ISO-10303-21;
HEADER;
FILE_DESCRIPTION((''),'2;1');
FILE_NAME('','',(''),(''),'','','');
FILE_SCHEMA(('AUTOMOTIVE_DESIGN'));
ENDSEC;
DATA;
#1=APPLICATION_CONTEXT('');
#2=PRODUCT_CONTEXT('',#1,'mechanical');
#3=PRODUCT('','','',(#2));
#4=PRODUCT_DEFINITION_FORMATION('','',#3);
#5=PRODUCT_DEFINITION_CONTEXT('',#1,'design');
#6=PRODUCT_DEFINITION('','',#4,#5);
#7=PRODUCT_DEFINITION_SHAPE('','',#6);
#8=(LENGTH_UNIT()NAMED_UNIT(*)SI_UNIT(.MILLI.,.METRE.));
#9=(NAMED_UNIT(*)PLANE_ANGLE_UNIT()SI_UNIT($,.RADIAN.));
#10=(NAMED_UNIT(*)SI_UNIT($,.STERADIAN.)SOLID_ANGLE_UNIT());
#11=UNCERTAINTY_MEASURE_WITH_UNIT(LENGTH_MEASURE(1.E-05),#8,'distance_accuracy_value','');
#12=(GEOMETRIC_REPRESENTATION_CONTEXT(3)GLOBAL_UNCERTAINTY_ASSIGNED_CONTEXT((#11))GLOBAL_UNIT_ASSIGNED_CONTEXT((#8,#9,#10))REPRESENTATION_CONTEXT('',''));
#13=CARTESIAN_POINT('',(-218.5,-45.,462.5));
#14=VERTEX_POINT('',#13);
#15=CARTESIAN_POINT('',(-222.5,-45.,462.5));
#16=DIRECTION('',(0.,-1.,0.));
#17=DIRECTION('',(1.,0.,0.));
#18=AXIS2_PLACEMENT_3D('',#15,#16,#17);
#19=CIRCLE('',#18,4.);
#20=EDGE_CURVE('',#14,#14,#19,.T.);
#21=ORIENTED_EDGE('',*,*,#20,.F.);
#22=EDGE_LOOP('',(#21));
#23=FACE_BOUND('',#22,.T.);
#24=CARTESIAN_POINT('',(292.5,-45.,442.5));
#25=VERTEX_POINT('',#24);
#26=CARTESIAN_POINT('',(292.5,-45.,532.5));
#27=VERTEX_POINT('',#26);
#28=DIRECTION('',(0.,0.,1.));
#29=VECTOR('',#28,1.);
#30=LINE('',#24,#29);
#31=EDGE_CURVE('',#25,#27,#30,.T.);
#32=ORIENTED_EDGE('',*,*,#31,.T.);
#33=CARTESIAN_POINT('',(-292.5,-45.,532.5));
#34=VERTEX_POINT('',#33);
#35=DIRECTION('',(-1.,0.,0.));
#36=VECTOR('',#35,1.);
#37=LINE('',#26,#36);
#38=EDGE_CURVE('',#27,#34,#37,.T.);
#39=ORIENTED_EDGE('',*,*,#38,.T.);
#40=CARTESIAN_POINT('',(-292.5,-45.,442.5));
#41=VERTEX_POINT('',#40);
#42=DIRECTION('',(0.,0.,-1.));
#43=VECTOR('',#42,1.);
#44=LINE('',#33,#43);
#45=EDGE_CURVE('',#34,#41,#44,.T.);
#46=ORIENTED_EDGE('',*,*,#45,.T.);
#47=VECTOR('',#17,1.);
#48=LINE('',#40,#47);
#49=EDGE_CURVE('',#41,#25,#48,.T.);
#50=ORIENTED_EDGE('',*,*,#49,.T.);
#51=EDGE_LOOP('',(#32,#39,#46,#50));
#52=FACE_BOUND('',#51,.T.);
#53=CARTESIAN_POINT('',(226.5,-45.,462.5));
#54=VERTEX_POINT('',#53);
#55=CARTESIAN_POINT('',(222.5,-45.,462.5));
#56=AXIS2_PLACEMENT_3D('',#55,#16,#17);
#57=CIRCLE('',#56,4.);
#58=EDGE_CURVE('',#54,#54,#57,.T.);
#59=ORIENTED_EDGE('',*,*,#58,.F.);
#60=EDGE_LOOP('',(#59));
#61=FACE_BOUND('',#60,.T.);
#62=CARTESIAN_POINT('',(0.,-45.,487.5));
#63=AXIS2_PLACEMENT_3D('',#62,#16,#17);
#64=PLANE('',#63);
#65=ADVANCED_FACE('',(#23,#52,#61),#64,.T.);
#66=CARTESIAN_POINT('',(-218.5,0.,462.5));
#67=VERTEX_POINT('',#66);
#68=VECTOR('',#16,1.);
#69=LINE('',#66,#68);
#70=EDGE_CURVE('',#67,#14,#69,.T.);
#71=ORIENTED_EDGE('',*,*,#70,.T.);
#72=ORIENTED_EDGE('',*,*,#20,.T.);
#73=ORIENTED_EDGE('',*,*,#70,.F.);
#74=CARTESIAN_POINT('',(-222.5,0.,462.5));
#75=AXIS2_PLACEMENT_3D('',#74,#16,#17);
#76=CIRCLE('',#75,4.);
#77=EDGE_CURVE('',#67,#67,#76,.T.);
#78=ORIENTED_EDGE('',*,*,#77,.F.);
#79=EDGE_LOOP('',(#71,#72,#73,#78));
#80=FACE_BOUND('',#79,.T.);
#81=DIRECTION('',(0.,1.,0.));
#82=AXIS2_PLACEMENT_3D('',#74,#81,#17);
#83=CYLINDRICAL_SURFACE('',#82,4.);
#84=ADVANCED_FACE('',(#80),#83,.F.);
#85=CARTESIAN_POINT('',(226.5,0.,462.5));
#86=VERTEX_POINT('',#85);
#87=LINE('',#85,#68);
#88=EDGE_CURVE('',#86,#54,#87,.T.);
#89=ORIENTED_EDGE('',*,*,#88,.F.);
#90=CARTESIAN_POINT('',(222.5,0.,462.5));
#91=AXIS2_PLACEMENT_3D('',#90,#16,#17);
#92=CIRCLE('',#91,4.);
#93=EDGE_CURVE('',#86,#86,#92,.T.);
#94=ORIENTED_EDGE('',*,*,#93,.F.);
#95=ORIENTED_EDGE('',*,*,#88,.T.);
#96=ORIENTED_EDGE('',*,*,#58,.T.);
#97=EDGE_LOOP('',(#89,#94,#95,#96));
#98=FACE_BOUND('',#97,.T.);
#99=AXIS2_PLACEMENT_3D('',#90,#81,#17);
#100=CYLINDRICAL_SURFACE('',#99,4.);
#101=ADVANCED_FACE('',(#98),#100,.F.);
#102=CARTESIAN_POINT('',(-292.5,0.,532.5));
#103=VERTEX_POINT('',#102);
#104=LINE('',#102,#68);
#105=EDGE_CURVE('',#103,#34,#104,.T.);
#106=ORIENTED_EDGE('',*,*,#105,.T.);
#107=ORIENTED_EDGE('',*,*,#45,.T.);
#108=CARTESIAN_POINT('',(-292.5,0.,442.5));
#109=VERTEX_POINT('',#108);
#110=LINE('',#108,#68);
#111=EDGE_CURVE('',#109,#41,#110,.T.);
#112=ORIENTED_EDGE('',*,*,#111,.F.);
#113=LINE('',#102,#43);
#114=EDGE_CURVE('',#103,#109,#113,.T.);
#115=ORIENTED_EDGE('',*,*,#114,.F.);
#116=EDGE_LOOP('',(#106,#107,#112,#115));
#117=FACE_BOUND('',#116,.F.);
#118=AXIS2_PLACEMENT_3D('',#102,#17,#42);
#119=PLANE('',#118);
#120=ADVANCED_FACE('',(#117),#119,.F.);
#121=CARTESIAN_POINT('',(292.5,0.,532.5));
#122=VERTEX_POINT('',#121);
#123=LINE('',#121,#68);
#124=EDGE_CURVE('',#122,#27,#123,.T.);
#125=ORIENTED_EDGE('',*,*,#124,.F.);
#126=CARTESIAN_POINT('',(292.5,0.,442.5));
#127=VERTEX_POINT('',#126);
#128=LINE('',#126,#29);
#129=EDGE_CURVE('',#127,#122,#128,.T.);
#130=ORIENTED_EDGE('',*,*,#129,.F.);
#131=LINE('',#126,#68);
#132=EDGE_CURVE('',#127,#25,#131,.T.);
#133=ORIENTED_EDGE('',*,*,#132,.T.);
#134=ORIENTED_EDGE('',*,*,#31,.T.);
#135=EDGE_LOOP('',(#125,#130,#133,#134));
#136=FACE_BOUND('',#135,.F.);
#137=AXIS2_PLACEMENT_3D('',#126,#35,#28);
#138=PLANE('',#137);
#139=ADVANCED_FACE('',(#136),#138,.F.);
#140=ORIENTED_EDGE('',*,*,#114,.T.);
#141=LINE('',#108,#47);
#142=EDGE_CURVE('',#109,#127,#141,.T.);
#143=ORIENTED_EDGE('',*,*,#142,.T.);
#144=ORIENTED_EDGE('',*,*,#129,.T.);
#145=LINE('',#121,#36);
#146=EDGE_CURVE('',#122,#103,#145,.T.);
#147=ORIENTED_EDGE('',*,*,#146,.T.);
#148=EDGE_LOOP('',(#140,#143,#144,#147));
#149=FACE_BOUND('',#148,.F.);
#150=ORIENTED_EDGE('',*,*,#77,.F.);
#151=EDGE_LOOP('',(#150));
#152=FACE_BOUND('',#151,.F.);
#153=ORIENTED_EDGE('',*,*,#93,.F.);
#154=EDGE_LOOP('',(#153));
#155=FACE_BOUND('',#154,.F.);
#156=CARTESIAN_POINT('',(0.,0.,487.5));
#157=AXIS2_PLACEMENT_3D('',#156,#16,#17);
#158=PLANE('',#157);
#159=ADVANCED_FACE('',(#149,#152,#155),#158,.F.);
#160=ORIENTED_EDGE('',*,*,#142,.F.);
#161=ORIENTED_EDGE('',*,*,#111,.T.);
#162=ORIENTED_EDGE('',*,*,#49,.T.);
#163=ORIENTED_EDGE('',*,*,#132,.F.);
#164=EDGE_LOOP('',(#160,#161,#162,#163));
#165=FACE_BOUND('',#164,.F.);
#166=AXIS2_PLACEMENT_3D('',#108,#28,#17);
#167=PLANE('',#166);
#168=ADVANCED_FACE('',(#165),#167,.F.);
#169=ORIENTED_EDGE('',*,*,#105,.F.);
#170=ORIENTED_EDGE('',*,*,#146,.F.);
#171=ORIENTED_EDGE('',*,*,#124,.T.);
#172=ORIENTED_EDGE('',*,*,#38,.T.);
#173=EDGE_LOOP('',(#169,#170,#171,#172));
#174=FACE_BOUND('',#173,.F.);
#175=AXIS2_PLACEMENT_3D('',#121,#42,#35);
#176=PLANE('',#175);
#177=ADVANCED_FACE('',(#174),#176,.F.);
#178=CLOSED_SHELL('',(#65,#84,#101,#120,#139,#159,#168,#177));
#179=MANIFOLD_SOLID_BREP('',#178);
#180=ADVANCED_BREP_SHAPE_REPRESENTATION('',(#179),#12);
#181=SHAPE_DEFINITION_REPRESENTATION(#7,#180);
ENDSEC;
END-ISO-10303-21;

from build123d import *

# Parameters (mm, degrees)
F0_R     = 4
F1_DEPTH = 45


with BuildPart() as f1:
    # F0 (on Front) → F1 (new body)
    with BuildSketch(Plane.XZ):
        Polygon((-292.5, 532.5), (-292.5, 442.5), (-202.5, 442.5), (202.5, 442.5), (292.5, 442.5), (292.5, 532.5), align=None)
        with Locations((-222.5, 462.5)):
            Circle(F0_R, mode=Mode.SUBTRACT)
        with Locations((222.5, 462.5)):
            Circle(F0_R, mode=Mode.SUBTRACT)
    extrude(amount=F1_DEPTH)


solid = f1.part
